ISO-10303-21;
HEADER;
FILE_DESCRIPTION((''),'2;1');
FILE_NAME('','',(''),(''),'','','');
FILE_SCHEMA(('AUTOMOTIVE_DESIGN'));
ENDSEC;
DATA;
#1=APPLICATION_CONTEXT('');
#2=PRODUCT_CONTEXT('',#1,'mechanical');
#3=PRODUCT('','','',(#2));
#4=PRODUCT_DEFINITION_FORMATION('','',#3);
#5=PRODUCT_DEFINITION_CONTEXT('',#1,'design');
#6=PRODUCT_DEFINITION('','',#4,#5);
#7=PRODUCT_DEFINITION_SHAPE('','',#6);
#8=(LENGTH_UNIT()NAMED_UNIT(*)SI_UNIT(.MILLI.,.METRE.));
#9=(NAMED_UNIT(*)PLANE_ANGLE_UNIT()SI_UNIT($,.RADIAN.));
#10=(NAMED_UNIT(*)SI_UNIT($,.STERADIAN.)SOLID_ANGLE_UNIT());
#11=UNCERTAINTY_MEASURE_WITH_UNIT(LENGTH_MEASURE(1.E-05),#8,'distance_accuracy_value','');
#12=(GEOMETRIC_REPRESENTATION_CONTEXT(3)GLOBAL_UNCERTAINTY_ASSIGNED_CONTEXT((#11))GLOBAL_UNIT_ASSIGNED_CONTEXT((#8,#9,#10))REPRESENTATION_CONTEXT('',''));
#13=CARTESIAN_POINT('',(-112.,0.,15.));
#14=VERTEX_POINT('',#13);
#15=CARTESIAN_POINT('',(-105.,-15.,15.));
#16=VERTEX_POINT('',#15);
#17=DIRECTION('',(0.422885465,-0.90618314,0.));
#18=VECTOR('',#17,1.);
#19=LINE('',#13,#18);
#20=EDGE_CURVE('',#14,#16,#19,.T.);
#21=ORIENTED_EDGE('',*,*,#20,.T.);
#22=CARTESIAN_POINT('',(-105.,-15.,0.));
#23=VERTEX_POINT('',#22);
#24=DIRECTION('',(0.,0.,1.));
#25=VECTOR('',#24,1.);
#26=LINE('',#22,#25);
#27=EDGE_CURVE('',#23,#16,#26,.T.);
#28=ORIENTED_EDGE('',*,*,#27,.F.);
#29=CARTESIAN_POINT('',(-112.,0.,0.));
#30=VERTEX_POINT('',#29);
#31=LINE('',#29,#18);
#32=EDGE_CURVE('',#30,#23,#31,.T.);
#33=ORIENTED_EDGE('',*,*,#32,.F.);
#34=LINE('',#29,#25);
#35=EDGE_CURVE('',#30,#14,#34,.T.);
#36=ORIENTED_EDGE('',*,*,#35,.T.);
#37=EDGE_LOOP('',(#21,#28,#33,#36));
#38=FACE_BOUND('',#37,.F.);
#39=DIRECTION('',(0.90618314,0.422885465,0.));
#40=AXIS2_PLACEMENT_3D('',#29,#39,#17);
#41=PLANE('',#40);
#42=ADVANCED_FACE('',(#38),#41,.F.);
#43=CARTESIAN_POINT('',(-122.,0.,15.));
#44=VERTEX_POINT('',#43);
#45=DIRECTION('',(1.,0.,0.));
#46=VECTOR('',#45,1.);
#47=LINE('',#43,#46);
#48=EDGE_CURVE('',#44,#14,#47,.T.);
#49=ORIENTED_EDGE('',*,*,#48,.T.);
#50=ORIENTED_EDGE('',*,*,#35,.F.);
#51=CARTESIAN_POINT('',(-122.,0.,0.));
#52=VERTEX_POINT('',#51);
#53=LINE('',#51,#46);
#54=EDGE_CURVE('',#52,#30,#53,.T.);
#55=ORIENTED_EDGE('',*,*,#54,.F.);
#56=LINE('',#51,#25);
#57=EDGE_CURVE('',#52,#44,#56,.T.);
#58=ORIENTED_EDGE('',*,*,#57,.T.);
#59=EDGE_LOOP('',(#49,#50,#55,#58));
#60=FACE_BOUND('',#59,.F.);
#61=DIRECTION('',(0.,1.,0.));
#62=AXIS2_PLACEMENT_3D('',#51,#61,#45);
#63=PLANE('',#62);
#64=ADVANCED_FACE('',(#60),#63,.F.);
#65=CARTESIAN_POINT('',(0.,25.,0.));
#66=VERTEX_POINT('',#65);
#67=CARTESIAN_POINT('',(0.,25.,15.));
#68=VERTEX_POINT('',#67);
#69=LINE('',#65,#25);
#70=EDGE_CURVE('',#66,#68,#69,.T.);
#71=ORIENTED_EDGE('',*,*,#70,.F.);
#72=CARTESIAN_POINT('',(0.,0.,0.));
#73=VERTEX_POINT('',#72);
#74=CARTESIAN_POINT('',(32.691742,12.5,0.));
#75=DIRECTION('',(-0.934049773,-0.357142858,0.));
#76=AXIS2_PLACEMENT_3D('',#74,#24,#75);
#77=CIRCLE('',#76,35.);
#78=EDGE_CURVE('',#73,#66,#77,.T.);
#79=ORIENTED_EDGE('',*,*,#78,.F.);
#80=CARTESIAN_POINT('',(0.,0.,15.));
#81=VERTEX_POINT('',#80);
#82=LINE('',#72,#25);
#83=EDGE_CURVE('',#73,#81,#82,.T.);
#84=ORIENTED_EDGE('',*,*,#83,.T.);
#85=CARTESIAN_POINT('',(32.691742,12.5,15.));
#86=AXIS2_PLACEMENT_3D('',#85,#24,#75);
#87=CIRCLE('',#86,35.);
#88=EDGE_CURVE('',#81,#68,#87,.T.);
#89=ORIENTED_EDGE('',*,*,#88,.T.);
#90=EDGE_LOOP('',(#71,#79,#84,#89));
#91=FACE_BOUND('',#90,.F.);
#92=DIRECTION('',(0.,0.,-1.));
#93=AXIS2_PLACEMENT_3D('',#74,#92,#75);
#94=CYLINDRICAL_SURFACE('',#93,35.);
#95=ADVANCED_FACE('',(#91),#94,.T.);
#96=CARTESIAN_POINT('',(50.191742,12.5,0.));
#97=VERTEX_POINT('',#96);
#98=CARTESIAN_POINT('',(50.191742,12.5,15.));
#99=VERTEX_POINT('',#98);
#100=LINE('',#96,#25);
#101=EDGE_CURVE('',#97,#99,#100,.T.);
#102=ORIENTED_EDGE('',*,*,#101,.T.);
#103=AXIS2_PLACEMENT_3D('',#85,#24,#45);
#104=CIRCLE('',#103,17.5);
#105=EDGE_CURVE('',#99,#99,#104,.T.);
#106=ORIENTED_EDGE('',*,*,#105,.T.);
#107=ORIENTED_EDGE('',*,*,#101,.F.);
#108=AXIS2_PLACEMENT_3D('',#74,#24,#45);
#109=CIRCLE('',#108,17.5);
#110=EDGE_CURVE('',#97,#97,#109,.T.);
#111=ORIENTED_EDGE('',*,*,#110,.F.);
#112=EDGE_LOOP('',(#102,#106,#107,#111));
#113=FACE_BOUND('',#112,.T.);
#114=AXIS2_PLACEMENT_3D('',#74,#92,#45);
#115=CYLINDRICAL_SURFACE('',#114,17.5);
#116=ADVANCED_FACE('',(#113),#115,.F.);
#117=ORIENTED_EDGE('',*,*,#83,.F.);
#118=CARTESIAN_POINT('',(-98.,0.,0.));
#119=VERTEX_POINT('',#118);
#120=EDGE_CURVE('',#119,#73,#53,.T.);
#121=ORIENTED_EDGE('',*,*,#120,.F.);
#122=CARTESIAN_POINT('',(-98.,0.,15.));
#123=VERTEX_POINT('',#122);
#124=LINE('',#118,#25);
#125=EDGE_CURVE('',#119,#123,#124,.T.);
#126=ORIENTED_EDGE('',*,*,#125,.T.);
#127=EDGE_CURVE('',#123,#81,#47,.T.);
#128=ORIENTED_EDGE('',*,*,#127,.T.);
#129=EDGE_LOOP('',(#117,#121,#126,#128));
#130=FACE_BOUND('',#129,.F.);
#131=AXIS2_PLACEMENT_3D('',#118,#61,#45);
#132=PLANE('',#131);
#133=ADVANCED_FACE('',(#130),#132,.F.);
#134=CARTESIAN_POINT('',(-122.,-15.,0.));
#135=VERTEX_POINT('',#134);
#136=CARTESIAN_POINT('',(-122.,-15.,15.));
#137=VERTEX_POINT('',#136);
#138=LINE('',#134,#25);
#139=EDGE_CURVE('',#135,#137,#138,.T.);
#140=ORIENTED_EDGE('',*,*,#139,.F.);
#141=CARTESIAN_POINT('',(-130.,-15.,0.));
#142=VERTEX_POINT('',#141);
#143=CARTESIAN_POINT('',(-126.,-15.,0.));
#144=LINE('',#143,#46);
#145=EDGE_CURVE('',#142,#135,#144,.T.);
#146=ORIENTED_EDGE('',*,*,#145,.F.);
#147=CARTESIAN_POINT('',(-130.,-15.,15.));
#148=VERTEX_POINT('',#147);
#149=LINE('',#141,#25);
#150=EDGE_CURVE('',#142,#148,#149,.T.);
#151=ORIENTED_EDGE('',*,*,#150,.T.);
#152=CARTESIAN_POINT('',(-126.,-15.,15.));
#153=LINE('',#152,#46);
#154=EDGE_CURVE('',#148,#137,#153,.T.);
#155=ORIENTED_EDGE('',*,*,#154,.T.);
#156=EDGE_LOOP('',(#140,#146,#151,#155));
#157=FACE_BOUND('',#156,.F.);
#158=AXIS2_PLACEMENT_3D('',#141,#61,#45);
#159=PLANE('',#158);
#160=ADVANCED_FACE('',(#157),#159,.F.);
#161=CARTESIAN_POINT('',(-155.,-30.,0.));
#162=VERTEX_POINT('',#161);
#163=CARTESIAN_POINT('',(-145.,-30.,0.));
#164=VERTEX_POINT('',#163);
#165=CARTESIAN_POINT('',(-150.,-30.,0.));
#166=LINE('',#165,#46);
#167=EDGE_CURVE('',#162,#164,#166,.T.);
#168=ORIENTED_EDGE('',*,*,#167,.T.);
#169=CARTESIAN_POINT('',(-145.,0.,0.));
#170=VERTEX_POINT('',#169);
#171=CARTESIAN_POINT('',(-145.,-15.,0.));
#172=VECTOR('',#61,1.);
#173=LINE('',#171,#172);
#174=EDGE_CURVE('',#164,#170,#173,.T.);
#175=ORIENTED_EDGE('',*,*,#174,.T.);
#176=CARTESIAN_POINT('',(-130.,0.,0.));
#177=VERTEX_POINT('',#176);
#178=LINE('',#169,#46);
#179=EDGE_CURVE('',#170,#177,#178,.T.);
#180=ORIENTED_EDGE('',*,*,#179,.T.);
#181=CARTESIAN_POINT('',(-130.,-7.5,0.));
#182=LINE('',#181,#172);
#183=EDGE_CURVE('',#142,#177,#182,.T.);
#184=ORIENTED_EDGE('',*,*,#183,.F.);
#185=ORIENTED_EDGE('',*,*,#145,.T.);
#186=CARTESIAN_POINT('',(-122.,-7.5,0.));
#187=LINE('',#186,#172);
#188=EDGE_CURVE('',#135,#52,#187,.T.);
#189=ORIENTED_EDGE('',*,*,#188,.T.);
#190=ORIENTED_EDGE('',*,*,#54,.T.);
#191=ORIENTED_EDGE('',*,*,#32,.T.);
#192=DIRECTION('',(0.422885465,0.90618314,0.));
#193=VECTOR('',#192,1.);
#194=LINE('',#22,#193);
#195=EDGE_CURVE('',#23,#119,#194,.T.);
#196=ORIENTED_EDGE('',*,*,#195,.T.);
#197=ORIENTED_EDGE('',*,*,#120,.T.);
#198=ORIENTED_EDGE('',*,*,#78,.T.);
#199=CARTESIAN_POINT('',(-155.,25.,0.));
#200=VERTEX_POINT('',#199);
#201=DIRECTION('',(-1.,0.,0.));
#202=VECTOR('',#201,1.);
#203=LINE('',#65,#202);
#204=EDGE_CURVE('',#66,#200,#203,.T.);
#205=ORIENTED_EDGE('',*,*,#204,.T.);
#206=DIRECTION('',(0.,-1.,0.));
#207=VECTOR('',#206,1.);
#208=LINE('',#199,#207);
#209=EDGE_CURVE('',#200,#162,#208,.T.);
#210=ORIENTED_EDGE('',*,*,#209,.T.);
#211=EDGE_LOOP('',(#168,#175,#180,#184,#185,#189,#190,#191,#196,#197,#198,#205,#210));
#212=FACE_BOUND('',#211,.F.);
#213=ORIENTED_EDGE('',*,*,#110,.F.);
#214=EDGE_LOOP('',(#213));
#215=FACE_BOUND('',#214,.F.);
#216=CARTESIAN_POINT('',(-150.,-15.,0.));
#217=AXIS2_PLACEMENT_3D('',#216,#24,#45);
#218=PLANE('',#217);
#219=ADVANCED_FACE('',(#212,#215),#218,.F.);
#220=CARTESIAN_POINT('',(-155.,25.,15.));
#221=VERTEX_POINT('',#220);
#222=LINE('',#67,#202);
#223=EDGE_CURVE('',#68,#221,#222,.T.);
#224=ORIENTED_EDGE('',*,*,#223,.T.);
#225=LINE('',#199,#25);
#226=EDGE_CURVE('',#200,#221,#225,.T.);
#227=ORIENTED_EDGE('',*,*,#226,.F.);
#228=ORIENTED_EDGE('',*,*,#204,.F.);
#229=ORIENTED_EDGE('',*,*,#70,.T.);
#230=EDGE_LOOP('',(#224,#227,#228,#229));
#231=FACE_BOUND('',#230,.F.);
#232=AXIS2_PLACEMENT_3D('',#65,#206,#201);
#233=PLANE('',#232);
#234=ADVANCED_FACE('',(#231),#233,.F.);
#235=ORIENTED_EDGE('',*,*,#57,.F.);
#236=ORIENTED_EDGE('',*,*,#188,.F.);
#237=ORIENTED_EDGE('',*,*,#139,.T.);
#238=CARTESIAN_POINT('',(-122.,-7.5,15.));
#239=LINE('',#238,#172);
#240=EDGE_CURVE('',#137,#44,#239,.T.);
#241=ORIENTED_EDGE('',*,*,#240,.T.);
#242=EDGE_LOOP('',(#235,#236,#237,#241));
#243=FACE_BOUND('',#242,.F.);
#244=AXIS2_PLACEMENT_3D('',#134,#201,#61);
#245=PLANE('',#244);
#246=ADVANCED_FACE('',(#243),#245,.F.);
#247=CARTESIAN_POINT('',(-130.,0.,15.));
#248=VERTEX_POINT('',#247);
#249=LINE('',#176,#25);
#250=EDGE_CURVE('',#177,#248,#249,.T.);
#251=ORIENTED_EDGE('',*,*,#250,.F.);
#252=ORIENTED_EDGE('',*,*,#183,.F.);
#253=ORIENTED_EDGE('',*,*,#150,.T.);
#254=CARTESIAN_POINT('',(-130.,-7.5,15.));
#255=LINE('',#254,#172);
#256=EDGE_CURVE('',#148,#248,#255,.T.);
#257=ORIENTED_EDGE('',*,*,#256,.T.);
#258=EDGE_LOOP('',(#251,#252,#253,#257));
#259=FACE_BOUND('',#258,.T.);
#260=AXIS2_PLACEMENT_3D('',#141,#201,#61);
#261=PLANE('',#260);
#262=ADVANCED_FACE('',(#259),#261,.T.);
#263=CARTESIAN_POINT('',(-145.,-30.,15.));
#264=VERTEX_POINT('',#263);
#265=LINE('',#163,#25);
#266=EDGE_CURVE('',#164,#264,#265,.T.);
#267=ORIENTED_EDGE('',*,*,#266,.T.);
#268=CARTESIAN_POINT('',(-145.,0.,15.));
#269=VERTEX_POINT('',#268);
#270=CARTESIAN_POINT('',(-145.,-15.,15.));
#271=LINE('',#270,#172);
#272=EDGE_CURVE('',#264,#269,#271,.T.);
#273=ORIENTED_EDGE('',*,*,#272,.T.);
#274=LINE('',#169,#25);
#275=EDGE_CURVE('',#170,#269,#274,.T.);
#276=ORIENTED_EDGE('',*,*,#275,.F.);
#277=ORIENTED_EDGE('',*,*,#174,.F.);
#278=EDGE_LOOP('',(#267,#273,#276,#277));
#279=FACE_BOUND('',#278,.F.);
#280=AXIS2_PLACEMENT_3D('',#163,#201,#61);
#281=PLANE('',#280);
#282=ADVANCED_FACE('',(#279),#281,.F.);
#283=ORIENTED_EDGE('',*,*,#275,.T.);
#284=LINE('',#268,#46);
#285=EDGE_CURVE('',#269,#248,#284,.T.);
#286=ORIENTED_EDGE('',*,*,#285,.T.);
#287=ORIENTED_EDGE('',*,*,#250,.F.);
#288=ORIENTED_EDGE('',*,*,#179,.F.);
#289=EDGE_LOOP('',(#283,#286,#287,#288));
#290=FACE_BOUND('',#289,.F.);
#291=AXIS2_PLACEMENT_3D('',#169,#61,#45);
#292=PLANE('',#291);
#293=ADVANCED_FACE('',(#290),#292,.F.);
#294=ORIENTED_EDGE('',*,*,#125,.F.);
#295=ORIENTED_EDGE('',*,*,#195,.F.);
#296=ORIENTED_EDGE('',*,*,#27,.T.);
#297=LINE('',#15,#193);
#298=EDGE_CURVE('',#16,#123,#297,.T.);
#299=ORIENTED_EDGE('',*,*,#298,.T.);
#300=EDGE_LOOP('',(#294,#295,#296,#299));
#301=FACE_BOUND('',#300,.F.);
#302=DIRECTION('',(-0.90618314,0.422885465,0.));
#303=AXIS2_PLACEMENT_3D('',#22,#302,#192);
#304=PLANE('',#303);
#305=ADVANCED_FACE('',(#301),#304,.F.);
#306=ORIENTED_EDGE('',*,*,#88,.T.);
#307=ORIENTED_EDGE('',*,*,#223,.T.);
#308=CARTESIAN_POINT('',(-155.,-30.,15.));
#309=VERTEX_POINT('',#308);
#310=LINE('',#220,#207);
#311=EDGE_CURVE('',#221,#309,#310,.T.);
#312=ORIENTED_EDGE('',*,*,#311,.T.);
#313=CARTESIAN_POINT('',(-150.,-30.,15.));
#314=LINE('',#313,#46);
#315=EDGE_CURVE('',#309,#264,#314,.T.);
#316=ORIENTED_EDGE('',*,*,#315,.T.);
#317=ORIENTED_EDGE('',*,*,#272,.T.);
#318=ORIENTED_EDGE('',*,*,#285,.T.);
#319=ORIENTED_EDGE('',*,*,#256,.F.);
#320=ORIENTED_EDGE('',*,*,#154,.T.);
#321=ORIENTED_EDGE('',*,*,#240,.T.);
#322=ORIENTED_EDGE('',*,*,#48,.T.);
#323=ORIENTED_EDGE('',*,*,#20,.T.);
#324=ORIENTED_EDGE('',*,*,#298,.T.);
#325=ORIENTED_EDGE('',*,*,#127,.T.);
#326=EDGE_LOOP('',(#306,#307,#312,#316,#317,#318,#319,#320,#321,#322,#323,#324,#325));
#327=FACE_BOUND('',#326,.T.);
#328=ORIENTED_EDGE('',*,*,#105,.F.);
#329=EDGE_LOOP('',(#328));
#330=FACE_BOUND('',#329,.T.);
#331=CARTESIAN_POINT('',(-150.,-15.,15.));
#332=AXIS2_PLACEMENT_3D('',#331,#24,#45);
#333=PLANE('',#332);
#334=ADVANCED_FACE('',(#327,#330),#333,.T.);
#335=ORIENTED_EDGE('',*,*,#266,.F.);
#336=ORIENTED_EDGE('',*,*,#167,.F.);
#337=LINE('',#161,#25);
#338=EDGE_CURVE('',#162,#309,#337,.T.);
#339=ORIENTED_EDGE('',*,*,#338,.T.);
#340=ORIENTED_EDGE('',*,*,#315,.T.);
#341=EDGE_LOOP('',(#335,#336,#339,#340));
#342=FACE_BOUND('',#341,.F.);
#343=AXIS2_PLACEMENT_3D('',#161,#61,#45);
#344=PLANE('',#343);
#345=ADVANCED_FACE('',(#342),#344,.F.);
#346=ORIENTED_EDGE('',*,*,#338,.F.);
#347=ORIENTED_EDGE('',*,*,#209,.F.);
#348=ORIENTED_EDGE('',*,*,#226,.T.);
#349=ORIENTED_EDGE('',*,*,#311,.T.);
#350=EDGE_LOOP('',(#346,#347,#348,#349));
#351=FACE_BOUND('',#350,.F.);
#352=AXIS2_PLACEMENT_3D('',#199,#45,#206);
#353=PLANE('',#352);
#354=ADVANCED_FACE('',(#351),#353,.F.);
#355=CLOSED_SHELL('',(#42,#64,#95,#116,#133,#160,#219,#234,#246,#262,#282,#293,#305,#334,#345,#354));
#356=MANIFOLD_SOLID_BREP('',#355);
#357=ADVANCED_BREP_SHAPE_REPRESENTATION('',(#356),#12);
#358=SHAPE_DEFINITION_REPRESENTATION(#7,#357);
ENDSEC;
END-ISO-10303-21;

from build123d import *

# Parameters (mm, degrees)
F0_W     = 10
F0_H     = 30
F0_W_2   = 8
F0_H_2   = 15
F0_R     = 17.5
F1_DEPTH = 15


with BuildPart() as f1:
    # F0 (on Top) → F1 (new body)
    with BuildSketch(Plane.XY):
        with Locations((-150, -15)):
            Rectangle(F0_W, F0_H)
        with Locations((-126, -7.5)):
            Rectangle(F0_W_2, F0_H_2)
        with BuildLine():
            Line((0, 25), (0, 0))
            ThreePointArc((0, 0), (67.691742, 12.5), (0, 25))
        make_face()
        with Locations((32.691742, 12.5)):
            Circle(F0_R, mode=Mode.SUBTRACT)
        Polygon((-98, 0), (0, 0), (0, 25), (-155, 25), (-155, 0), (-145, 0), (-130, 0), (-122, 0), (-112, 0), align=None)
        Polygon((-105, -15), (-98, 0), (-112, 0), align=None)
    extrude(amount=F1_DEPTH)


solid = f1.part
